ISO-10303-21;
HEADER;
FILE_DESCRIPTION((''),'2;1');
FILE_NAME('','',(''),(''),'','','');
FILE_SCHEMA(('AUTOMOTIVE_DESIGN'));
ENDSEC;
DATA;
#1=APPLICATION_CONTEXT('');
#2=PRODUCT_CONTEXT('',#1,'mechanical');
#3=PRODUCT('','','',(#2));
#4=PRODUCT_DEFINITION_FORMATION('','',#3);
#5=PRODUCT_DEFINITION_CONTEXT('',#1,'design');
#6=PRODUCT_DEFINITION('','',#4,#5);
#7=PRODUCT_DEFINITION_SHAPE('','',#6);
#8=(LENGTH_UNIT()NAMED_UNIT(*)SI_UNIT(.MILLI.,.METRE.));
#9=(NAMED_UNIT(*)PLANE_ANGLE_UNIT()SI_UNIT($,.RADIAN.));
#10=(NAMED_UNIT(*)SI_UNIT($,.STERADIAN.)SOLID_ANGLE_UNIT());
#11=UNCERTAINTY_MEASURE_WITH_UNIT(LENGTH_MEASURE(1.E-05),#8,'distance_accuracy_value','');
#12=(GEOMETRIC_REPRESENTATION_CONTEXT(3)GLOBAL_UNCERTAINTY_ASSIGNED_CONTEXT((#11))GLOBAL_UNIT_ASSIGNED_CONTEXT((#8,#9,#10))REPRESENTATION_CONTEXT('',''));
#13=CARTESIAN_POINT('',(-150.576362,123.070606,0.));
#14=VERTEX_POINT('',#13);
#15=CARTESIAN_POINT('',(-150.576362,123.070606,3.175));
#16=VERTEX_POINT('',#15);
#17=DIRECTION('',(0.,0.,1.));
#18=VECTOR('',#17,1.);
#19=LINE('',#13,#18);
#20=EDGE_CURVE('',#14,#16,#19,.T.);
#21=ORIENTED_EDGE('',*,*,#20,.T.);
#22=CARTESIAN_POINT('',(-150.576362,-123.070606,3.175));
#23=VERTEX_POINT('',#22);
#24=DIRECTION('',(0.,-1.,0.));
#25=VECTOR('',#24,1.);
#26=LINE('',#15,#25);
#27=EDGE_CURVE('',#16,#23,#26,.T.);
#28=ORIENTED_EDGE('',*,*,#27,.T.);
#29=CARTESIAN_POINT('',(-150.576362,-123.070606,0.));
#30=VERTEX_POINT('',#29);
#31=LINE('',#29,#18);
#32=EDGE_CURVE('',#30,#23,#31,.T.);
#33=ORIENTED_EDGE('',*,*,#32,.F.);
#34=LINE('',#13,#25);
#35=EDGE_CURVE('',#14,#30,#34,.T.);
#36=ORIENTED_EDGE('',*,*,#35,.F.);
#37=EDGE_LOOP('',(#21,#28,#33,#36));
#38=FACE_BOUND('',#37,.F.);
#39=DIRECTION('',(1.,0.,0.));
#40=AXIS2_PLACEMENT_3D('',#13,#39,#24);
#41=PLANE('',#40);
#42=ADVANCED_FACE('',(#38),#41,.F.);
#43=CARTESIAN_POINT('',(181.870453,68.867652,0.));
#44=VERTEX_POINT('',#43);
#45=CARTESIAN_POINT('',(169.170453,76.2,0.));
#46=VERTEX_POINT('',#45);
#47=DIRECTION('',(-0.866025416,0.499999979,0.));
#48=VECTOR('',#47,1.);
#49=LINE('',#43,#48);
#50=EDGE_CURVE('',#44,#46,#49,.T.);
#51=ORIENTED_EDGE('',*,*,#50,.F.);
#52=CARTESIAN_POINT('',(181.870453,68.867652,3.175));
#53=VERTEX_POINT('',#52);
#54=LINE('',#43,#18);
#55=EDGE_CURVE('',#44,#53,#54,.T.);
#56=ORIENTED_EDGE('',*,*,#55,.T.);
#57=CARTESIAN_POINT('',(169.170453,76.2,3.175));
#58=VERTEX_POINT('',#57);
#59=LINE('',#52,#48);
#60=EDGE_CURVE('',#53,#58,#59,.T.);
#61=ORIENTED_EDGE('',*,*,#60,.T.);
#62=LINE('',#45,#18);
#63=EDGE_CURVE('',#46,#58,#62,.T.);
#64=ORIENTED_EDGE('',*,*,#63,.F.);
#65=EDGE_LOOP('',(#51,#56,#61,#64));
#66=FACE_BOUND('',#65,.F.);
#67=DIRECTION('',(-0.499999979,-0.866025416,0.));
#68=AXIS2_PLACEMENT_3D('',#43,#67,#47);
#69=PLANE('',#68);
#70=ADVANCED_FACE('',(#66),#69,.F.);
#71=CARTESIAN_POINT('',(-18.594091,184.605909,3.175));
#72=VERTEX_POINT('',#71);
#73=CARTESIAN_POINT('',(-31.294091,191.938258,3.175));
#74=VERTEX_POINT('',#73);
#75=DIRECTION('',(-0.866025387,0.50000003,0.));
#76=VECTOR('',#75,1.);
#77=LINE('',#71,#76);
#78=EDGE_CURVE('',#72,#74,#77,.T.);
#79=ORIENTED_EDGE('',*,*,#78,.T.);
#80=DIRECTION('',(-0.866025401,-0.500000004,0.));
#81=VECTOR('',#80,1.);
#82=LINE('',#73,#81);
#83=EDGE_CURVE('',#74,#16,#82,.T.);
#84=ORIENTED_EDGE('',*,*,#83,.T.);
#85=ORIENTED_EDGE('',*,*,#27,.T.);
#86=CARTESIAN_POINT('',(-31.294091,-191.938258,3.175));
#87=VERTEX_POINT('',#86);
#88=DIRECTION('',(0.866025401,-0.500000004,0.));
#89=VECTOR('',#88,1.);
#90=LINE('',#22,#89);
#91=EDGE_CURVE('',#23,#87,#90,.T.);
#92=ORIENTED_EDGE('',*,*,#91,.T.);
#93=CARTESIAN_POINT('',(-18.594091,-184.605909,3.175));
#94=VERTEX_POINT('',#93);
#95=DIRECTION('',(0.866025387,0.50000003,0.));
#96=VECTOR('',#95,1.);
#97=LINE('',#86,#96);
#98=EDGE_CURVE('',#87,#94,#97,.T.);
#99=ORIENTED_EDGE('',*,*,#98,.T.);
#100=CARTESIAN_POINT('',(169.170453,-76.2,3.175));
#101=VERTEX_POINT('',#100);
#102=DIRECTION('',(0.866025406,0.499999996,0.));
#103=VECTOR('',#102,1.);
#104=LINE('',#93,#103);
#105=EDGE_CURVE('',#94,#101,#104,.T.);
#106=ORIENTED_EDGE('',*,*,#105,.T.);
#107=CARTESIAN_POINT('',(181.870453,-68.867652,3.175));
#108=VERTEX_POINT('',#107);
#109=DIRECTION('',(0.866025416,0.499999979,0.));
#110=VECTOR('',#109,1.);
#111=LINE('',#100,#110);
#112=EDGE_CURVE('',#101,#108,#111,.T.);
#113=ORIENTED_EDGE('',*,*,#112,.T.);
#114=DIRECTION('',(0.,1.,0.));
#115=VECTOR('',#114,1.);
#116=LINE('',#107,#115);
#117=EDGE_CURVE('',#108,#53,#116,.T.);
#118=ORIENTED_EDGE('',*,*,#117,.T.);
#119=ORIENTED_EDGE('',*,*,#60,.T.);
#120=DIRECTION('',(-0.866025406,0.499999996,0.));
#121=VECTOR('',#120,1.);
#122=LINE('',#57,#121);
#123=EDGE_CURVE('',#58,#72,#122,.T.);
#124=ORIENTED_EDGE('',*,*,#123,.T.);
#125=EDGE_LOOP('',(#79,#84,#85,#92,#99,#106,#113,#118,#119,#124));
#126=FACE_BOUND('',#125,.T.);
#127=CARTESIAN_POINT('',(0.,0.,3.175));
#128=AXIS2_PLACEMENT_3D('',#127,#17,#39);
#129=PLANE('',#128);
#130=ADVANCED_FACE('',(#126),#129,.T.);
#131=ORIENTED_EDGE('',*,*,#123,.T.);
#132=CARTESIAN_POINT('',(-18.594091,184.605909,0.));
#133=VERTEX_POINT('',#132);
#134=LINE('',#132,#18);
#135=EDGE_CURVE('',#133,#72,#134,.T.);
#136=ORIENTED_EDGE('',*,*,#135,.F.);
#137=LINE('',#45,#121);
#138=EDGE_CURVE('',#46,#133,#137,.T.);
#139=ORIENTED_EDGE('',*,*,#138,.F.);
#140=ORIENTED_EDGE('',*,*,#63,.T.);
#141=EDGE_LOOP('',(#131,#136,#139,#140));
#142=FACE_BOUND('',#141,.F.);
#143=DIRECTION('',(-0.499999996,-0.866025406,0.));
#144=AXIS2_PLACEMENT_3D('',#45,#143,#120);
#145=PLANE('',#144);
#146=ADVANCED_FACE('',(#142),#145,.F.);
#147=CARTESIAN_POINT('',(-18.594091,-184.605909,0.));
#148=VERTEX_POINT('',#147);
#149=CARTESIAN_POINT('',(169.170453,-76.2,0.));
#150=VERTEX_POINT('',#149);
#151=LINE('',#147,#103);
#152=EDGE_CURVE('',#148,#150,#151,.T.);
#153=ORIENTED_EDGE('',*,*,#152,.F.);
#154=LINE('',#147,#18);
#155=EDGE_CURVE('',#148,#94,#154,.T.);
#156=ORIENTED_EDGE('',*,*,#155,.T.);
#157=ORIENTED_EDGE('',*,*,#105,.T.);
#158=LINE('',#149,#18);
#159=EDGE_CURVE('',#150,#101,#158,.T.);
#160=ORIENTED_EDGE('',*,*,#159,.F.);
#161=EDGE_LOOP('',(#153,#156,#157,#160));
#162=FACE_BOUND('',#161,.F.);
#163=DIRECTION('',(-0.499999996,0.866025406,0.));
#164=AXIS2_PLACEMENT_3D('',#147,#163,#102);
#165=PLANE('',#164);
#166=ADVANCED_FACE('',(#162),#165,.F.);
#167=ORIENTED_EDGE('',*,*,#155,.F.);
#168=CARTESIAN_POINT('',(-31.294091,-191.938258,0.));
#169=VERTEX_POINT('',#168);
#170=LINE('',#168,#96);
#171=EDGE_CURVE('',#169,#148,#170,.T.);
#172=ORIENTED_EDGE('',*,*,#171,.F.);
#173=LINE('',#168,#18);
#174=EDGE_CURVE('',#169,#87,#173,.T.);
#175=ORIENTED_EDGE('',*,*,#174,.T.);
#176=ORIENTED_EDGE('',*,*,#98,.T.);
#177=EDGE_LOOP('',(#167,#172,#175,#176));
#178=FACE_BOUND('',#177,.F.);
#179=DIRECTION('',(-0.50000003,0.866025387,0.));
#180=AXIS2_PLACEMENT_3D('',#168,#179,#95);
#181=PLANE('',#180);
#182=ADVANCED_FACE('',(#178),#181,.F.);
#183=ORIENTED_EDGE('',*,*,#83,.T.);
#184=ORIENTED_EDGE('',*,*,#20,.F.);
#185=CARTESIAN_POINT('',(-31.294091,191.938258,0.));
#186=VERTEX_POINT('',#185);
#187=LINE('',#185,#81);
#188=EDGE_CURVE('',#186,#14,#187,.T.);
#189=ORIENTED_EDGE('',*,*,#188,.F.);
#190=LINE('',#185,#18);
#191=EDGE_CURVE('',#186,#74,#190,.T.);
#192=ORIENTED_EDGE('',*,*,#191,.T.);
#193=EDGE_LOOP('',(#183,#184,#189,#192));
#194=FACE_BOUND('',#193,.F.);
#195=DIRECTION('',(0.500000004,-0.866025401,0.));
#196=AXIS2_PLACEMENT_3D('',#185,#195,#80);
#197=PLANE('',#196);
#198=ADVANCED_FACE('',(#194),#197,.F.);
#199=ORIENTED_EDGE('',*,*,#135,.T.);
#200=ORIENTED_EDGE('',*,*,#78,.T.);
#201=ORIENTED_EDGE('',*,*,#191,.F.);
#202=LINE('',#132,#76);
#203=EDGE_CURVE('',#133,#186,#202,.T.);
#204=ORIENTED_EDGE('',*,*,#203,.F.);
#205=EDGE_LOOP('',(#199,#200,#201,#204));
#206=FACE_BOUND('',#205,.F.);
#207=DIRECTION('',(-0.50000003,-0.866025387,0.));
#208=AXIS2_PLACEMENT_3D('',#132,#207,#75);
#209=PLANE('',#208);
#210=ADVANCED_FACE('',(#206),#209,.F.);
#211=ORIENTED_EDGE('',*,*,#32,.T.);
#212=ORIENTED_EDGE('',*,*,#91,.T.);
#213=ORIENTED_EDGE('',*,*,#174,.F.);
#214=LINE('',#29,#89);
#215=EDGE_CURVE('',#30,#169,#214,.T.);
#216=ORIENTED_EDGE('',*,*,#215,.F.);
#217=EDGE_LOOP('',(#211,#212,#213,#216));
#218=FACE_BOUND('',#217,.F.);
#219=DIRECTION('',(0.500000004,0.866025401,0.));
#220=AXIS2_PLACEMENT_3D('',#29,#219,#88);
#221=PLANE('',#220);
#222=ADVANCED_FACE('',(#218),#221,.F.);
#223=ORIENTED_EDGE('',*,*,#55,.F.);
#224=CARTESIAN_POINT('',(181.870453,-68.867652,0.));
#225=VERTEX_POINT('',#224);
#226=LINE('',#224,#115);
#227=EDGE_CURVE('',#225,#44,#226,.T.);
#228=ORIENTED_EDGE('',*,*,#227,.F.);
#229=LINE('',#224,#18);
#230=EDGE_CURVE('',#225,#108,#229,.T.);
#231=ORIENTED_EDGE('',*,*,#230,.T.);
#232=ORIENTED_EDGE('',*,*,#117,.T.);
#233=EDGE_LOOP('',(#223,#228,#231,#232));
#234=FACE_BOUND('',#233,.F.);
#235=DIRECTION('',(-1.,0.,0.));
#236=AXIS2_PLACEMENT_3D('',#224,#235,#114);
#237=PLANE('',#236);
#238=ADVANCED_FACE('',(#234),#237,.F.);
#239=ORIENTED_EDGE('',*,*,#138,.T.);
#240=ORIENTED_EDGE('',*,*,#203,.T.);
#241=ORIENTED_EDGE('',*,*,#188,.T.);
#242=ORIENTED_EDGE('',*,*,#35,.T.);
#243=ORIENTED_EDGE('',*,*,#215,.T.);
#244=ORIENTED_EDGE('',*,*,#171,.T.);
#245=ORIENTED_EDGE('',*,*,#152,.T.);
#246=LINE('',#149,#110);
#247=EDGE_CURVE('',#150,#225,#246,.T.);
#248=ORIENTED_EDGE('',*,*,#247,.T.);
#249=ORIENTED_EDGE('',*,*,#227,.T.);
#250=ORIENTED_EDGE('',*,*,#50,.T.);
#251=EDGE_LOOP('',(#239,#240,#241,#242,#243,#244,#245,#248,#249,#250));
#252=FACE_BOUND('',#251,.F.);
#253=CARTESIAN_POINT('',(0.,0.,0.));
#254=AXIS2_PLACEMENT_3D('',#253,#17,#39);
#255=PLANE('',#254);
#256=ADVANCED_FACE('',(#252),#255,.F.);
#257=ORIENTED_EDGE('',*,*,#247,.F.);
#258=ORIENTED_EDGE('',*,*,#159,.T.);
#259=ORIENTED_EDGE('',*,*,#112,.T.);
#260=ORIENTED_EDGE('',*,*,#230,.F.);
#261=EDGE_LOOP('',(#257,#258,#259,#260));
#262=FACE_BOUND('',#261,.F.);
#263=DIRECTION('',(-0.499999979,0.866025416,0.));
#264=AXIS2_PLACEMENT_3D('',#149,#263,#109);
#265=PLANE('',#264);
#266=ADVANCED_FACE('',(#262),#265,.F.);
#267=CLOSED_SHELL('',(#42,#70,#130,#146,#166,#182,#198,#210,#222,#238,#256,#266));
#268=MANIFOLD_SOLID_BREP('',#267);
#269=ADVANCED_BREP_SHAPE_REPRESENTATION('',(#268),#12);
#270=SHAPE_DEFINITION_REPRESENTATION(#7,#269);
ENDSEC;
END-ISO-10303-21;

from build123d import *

# Parameters (mm, degrees)
F1_DEPTH = 3.175


with BuildPart() as f1:
    # F0 (on Top) → F1 (new body)
    with BuildSketch(Plane.XY):
        Polygon((-18.594091, -184.605909), (169.170453, -76.2), (169.170453, 76.2), (-18.594091, 184.605909), (-150.576362, 108.405909), (-150.576362, -108.405909), align=None)
        Polygon((-31.294091, -191.938258), (-18.594091, -184.605909), (-150.576362, -108.405909), (-150.576362, -123.070606), align=None)
        Polygon((-150.576362, 108.405909), (-18.594091, 184.605909), (-31.294091, 191.938258), (-150.576362, 123.070606), align=None)
        Polygon((169.170453, 76.2), (169.170453, -76.2), (181.870453, -68.867652), (181.870453, 68.867652), align=None)
    extrude(amount=F1_DEPTH)


solid = f1.part
